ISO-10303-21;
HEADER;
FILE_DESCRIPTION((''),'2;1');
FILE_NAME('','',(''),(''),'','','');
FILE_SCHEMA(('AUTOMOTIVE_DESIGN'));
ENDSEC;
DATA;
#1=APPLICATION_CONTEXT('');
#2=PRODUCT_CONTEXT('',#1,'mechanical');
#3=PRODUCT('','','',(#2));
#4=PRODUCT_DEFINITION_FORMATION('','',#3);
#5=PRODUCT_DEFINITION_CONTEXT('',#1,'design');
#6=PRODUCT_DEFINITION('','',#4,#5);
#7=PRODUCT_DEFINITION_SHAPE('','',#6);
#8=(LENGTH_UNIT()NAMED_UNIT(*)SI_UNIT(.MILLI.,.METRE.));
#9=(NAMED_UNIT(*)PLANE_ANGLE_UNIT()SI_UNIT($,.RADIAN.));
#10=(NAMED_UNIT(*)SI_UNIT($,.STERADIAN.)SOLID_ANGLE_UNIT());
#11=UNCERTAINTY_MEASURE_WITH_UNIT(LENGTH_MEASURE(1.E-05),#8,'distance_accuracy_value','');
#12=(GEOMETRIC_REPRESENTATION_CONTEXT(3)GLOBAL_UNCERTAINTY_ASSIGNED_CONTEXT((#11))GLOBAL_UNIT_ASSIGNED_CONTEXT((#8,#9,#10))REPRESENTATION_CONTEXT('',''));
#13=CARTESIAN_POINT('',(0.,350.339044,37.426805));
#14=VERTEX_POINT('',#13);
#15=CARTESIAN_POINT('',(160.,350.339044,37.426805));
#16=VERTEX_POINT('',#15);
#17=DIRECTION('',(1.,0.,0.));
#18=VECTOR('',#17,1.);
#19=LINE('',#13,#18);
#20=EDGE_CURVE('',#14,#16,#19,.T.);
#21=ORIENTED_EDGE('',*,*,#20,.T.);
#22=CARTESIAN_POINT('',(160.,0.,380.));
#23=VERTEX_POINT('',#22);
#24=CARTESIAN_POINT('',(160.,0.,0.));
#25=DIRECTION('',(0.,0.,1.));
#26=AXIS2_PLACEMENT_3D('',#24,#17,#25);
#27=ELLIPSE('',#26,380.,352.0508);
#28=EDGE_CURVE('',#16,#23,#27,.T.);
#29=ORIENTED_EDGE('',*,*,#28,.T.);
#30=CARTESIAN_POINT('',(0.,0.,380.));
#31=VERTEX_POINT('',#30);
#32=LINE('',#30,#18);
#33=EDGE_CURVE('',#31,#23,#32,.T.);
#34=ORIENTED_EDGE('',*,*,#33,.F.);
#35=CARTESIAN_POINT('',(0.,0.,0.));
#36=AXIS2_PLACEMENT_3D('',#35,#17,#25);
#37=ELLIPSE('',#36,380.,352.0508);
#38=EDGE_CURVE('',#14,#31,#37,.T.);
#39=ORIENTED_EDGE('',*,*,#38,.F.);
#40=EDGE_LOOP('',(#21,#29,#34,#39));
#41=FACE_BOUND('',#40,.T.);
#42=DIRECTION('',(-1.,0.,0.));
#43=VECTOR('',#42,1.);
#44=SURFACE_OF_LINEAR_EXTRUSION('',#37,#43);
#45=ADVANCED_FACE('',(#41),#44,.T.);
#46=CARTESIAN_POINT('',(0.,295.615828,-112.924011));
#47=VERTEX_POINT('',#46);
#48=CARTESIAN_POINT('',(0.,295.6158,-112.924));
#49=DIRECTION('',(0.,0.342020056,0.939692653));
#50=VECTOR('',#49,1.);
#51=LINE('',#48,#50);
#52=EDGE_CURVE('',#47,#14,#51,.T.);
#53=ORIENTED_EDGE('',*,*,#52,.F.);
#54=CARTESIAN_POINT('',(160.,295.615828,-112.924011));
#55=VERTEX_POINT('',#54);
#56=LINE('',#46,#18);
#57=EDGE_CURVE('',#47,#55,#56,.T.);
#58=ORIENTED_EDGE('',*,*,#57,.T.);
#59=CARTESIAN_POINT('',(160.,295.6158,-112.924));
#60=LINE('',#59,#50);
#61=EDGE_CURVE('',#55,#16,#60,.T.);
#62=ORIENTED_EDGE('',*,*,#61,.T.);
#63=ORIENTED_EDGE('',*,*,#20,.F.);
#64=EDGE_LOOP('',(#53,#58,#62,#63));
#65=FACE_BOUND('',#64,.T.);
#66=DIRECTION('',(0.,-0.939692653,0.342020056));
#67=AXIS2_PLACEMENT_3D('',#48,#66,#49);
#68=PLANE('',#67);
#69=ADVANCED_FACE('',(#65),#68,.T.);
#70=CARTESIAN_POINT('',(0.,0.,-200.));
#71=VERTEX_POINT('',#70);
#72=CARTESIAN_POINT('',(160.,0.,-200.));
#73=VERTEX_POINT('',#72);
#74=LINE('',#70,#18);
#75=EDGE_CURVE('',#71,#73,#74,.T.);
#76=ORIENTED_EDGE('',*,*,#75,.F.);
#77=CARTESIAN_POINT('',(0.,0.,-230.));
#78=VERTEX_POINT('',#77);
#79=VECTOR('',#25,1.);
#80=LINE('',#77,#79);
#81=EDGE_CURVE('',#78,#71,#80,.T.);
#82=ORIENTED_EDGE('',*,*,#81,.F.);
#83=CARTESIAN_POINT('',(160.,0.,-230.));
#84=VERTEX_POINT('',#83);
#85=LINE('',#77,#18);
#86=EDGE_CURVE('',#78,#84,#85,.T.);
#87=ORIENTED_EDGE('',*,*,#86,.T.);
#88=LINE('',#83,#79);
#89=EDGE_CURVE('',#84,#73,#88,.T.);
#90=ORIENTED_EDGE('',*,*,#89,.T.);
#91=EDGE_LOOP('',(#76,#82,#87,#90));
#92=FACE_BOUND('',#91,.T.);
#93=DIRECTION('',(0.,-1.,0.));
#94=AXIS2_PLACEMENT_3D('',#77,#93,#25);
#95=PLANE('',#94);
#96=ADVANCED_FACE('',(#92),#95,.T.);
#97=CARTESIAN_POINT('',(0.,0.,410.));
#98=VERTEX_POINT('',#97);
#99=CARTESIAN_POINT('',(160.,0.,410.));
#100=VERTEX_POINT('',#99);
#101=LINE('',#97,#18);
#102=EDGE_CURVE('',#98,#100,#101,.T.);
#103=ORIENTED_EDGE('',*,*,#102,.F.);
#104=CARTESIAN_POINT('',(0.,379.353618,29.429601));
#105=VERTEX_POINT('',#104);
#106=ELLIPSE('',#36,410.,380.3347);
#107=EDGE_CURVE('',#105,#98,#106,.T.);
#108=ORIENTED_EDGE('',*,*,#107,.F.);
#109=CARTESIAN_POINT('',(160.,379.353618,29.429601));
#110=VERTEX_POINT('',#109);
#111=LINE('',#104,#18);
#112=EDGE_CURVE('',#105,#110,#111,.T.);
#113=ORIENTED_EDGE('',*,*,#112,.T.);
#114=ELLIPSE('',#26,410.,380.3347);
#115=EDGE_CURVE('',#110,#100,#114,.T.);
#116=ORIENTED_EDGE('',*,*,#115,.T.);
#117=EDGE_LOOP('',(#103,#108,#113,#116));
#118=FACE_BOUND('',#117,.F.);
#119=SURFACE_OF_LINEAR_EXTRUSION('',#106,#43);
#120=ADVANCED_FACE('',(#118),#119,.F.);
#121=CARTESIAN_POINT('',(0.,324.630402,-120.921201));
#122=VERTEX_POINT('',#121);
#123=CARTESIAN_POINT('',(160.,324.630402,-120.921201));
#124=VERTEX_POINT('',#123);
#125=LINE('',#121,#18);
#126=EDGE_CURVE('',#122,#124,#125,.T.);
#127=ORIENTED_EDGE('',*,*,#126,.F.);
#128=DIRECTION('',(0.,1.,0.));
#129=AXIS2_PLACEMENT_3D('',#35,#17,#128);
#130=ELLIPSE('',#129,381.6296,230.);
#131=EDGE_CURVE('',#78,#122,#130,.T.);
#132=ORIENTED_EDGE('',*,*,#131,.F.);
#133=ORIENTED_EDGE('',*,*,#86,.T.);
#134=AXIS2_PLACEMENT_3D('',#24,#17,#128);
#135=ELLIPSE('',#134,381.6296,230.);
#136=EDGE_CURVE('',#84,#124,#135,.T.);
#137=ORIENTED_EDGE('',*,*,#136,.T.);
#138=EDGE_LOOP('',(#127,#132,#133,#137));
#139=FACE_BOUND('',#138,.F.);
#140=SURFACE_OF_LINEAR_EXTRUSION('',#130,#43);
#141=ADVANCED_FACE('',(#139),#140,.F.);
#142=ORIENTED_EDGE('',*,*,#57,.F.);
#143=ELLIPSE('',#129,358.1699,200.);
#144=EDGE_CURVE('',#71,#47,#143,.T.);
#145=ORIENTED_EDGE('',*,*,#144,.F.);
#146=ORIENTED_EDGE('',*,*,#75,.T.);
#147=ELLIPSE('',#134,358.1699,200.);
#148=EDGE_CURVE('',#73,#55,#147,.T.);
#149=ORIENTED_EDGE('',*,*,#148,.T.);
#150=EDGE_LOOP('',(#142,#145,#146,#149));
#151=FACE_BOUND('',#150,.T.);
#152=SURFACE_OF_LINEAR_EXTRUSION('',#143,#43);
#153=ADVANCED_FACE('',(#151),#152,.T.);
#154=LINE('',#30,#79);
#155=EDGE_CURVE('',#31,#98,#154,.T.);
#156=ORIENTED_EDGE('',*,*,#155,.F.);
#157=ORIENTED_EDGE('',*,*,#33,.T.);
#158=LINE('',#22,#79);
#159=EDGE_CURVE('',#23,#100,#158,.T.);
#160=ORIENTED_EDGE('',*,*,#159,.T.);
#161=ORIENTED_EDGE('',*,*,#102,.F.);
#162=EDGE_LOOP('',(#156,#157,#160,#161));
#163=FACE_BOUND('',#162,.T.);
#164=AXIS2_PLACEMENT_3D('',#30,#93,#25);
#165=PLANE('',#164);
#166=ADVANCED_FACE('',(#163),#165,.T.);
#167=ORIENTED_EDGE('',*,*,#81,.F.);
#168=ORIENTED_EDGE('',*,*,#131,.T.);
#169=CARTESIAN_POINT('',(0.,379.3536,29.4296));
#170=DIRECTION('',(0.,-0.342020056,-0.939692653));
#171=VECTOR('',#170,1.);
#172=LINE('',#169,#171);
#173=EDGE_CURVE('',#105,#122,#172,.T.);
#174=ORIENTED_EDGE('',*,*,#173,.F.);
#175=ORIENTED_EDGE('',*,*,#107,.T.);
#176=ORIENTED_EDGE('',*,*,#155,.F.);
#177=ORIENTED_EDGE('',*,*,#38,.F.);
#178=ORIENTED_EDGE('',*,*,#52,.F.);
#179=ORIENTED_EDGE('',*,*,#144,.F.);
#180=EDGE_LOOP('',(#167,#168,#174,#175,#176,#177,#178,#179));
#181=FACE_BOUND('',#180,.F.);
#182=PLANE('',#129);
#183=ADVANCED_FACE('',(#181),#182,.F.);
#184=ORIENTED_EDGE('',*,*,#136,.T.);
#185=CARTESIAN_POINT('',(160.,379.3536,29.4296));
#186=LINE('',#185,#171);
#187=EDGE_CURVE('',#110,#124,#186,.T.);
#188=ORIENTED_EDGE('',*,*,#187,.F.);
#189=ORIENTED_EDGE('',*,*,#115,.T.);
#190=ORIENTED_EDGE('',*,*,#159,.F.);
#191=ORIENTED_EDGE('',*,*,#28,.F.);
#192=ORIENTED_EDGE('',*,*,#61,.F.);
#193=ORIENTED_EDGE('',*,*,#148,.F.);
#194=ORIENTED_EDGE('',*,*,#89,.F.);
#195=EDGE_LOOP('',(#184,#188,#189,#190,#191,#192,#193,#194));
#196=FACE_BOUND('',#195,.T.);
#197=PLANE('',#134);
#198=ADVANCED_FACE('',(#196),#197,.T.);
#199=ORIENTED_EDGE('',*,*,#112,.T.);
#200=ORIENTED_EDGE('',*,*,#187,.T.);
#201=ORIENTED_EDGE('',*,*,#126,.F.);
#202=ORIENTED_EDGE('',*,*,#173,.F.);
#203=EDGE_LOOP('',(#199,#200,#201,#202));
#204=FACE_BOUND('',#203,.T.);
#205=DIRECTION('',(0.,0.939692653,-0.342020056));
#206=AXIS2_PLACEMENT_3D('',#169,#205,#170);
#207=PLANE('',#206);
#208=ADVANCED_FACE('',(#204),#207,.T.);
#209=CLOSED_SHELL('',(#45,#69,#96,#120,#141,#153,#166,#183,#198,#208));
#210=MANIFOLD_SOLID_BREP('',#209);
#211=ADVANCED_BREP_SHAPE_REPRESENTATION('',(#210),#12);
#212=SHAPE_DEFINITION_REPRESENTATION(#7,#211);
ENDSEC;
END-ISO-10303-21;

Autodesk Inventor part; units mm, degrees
ref_plane "YZ Plane" through (0, 0, 0) normal (1, 0, 0) x (0, 1, 0)
ref_plane "XY Plane" through (0, 0, 0) normal (0, 0, 1) x (1, 0, 0)
sketch "Sketch2" plane through (0, 0, 0) normal (1, 0, 0) x (0, 1, 0)
  line L0 (0, 380) -> (0, 410)
  line L1 (0, -230) -> (0, -200)
  line L2 (0, 0) -> (0, 132.8644)
  line L3 (295.6158, -112.924) -> (350.339, 37.4268)
  line L4 (379.3536, 29.4296) -> (324.6304, -120.9212)
  ellipse E0 centre (0, 0) end of major axis (358.1699, 0) minor radius 200 (0, -200) -> (295.6158, -112.924) ccw
  ellipse E1 centre (0, 0) end of major axis (352.0508, 0) minor radius 380 (350.339, 37.4268) -> (0, 380) ccw
  ellipse E2 centre (0, 0) end of major axis (381.6296, 0) minor radius 230 (0, -230) -> (324.6304, -120.9212) ccw
  ellipse E3 centre (0, 0) end of major axis (380.3347, 0) minor radius 410 (379.3536, 29.4296) -> (0, 410) ccw
  point P0 (0, 0)
  dimension "d10" = 30
  dimension "d11" = 30
  dimension "d12" = 0
  dimension "d16" = 380
  dimension "d17" = 200
  dimension "d25" = 20
  dimension "d26" = 160
  dimension "d27" = 30
  dimension "d28" = 160
extrude "Extrusion1" add sketch "Sketch2" along normal blind 160
sketch "Sketch3" plane through (0, 0, 0) normal (-1, 0, 0) x (0, 0, 1)
  line L0 (171.5389, -307.9404) -> (-54.4979, 313.0907)
  line L1 (-120.9212, 324.6304) -> (29.4296, 379.3536) projected
  line L2 (-111.428, -307.9404) -> (360.7046, -307.9404)
  line L3 (76.7879, 236.8347) -> (76.7879, -307.9404)
  point P0 (0, 0)
  dimension "d31" = 94.751
sketch "Sketch4" plane through (0, 0, 380) normal (0, -1, 0) x (1, 0, 0)
  line L0 (160, 30) -> (160, 0) projected
  line L1 (160, -610) -> (160, -500.9212) projected
  line L2 (160, 30) -> (160, -610)
  line L3 (160, 0) -> (160, -342.5732) projected
  ellipse E0 centre (160, -290) end of major axis (390, -290) minor radius 320 (160, -610) -> (160, 30) ccw
  line L4 (0, 30) -> (160, 30) projected
  line L5 (0, 0) -> (160, 0) projected
  ellipse E1 centre (160, -290) end of major axis (360, -290) minor radius 290 (160, -580) -> (160, 0) ccw
  point P0 (0, -380)
  dimension "d33" = 200
  dimension "d34" = 230
  dimension "d32" = 320
ref_plane "Work Plane3" through (0, 0, 90) normal (0, 0, -1) x (-1, 0, 0)
ref_plane "Work Plane1" through (0, 0, -230) normal (0, 0, -1) x (-1, 0, 0)
ref_plane "Work Plane2" through (0, 0, 410) normal (0, 0, 1) x (1, 0, 0)
sketch "Sketch6" plane through (0, 0, 90) normal (0, 0, -1) x (-1, 0, 0)
  line L0 (-160, 371.0583) -> (0, 371.0583) projected
  line L1 (0, 371.0583) -> (0, 342.0343) projected
  line L2 (0, 342.0343) -> (-160, 342.0343) projected
  line L3 (-160, 342.0343) -> (-160, 371.0583) projected
  ellipse E0 centre (-160, -10) end of major axis (-390, -10) minor radius 381.0583 (-160, 371.0583) -> (-390, -10) ccw
  line L4 (-160, 0) -> (-160, 350.339) projected
  line L5 (-160, 342.0343) -> (-160, 371.0583)
  line L6 (-360, -10) -> (-390, -10)
  ellipse E1 centre (-160, -10) end of major axis (-360, -10) minor radius 352.0343 (-160, 342.0343) -> (-360, -10) ccw
  ellipse E2 centre (-160, -10) end of major axis (-403.0676, -10) minor radius 410.7244 (-34.7861, 342.0343) -> (-69.2995, 371.0583) ccw
  line L7 (0, 0) -> (-160, 0) projected
  point P0 (-160, 324.6304)
  dimension "d62" = 200
  dimension "d63" = 230
  dimension "d58" = 30
  dimension "d59" = 0
  dimension "d60" = 10
  dimension "d61" = 0
sketch "Sketch7" plane through (0, 0, 90) normal (0, 0, -1) x (-1, 0, 0)
  line L0 (0, 0) -> (-160, 0) projected
  ellipse E0 centre (-160, 0) end of major axis (-160, 365) minor radius 215 (-160, 365) -> (-375, 0) ccw
  line L1 (-160, 0) -> (-160, 350.339) projected
  line L2 (-375, 0) -> (-160, 0)
  line L3 (-160, 0) -> (-160, 365)
  line L4 (-160, 324.6304) -> (-160, 379.3536) projected
  dimension "d40" = 215
  dimension "d41" = 365
ref_plane "Work Plane4" through (210, 0, 0) normal (1, 0, 0) x (0, 0, -1)
sketch "Sketch10" plane through (160, 0, 0) normal (1, 0, 0) x (0, 0, -1)
  line L0 (120.9212, 324.6304) -> (-29.4296, 379.3536) projected
  ellipse E0 centre (0, 0) end of major axis (-410, 0) minor radius 380.3347 (-29.4296, 379.3536) -> (-410, 0) ccw projected
  line L1 (-410, 0) -> (-380, 0) projected
  ellipse E1 centre (0, 0) end of major axis (-380, 0) minor radius 352.0508 (-37.4268, 350.339) -> (-380, 0) ccw projected
  line L2 (-37.4268, 350.339) -> (112.924, 295.6158) projected
  ellipse E2 centre (0, 0) end of major axis (0, -358.1699) minor radius 200 (200, 0) -> (112.924, 295.6158) ccw projected
  line L3 (200, 0) -> (230, 0) projected
  ellipse E3 centre (0, 0) end of major axis (0, 381.6296) minor radius 230 (230, 0) -> (120.9212, 324.6304) ccw projected
  point P0 (0, 0)
ref_plane "Work Plane5" through (0, -10, 0) normal (0, 1, 0) x (-1, 0, 0)
sketch "Sketch11" plane through (0, -10, 0) normal (0, 1, 0) x (-1, 0, 0)
  line L0 (-160, -200) -> (-160, -230) projected
  ellipse E0 centre (-160, 90) end of major axis (-160, -230) minor radius 230 (-160, 410) -> (-160, -230) ccw
  line L1 (-160, -200) -> (-160, -112.924) projected
  ellipse E1 centre (-160, 90) end of major axis (-160, -200) minor radius 200 (-160, 380) -> (-160, -200) ccw
  line L2 (0, -230) -> (-160, -230) projected
  line L3 (-160, -200) -> (-160, -230)
  line L4 (0, 380) -> (-160, 380) projected
  line L5 (-160, 410) -> (-160, 380)
  line L6 (-160, 380) -> (-160, 410)
  point P0 (0, 0)
  dimension "d48" = 230
  dimension "d49" = 200
equation "\"d28\" = d26"
properties part number "eggshell_3dprintcore"
